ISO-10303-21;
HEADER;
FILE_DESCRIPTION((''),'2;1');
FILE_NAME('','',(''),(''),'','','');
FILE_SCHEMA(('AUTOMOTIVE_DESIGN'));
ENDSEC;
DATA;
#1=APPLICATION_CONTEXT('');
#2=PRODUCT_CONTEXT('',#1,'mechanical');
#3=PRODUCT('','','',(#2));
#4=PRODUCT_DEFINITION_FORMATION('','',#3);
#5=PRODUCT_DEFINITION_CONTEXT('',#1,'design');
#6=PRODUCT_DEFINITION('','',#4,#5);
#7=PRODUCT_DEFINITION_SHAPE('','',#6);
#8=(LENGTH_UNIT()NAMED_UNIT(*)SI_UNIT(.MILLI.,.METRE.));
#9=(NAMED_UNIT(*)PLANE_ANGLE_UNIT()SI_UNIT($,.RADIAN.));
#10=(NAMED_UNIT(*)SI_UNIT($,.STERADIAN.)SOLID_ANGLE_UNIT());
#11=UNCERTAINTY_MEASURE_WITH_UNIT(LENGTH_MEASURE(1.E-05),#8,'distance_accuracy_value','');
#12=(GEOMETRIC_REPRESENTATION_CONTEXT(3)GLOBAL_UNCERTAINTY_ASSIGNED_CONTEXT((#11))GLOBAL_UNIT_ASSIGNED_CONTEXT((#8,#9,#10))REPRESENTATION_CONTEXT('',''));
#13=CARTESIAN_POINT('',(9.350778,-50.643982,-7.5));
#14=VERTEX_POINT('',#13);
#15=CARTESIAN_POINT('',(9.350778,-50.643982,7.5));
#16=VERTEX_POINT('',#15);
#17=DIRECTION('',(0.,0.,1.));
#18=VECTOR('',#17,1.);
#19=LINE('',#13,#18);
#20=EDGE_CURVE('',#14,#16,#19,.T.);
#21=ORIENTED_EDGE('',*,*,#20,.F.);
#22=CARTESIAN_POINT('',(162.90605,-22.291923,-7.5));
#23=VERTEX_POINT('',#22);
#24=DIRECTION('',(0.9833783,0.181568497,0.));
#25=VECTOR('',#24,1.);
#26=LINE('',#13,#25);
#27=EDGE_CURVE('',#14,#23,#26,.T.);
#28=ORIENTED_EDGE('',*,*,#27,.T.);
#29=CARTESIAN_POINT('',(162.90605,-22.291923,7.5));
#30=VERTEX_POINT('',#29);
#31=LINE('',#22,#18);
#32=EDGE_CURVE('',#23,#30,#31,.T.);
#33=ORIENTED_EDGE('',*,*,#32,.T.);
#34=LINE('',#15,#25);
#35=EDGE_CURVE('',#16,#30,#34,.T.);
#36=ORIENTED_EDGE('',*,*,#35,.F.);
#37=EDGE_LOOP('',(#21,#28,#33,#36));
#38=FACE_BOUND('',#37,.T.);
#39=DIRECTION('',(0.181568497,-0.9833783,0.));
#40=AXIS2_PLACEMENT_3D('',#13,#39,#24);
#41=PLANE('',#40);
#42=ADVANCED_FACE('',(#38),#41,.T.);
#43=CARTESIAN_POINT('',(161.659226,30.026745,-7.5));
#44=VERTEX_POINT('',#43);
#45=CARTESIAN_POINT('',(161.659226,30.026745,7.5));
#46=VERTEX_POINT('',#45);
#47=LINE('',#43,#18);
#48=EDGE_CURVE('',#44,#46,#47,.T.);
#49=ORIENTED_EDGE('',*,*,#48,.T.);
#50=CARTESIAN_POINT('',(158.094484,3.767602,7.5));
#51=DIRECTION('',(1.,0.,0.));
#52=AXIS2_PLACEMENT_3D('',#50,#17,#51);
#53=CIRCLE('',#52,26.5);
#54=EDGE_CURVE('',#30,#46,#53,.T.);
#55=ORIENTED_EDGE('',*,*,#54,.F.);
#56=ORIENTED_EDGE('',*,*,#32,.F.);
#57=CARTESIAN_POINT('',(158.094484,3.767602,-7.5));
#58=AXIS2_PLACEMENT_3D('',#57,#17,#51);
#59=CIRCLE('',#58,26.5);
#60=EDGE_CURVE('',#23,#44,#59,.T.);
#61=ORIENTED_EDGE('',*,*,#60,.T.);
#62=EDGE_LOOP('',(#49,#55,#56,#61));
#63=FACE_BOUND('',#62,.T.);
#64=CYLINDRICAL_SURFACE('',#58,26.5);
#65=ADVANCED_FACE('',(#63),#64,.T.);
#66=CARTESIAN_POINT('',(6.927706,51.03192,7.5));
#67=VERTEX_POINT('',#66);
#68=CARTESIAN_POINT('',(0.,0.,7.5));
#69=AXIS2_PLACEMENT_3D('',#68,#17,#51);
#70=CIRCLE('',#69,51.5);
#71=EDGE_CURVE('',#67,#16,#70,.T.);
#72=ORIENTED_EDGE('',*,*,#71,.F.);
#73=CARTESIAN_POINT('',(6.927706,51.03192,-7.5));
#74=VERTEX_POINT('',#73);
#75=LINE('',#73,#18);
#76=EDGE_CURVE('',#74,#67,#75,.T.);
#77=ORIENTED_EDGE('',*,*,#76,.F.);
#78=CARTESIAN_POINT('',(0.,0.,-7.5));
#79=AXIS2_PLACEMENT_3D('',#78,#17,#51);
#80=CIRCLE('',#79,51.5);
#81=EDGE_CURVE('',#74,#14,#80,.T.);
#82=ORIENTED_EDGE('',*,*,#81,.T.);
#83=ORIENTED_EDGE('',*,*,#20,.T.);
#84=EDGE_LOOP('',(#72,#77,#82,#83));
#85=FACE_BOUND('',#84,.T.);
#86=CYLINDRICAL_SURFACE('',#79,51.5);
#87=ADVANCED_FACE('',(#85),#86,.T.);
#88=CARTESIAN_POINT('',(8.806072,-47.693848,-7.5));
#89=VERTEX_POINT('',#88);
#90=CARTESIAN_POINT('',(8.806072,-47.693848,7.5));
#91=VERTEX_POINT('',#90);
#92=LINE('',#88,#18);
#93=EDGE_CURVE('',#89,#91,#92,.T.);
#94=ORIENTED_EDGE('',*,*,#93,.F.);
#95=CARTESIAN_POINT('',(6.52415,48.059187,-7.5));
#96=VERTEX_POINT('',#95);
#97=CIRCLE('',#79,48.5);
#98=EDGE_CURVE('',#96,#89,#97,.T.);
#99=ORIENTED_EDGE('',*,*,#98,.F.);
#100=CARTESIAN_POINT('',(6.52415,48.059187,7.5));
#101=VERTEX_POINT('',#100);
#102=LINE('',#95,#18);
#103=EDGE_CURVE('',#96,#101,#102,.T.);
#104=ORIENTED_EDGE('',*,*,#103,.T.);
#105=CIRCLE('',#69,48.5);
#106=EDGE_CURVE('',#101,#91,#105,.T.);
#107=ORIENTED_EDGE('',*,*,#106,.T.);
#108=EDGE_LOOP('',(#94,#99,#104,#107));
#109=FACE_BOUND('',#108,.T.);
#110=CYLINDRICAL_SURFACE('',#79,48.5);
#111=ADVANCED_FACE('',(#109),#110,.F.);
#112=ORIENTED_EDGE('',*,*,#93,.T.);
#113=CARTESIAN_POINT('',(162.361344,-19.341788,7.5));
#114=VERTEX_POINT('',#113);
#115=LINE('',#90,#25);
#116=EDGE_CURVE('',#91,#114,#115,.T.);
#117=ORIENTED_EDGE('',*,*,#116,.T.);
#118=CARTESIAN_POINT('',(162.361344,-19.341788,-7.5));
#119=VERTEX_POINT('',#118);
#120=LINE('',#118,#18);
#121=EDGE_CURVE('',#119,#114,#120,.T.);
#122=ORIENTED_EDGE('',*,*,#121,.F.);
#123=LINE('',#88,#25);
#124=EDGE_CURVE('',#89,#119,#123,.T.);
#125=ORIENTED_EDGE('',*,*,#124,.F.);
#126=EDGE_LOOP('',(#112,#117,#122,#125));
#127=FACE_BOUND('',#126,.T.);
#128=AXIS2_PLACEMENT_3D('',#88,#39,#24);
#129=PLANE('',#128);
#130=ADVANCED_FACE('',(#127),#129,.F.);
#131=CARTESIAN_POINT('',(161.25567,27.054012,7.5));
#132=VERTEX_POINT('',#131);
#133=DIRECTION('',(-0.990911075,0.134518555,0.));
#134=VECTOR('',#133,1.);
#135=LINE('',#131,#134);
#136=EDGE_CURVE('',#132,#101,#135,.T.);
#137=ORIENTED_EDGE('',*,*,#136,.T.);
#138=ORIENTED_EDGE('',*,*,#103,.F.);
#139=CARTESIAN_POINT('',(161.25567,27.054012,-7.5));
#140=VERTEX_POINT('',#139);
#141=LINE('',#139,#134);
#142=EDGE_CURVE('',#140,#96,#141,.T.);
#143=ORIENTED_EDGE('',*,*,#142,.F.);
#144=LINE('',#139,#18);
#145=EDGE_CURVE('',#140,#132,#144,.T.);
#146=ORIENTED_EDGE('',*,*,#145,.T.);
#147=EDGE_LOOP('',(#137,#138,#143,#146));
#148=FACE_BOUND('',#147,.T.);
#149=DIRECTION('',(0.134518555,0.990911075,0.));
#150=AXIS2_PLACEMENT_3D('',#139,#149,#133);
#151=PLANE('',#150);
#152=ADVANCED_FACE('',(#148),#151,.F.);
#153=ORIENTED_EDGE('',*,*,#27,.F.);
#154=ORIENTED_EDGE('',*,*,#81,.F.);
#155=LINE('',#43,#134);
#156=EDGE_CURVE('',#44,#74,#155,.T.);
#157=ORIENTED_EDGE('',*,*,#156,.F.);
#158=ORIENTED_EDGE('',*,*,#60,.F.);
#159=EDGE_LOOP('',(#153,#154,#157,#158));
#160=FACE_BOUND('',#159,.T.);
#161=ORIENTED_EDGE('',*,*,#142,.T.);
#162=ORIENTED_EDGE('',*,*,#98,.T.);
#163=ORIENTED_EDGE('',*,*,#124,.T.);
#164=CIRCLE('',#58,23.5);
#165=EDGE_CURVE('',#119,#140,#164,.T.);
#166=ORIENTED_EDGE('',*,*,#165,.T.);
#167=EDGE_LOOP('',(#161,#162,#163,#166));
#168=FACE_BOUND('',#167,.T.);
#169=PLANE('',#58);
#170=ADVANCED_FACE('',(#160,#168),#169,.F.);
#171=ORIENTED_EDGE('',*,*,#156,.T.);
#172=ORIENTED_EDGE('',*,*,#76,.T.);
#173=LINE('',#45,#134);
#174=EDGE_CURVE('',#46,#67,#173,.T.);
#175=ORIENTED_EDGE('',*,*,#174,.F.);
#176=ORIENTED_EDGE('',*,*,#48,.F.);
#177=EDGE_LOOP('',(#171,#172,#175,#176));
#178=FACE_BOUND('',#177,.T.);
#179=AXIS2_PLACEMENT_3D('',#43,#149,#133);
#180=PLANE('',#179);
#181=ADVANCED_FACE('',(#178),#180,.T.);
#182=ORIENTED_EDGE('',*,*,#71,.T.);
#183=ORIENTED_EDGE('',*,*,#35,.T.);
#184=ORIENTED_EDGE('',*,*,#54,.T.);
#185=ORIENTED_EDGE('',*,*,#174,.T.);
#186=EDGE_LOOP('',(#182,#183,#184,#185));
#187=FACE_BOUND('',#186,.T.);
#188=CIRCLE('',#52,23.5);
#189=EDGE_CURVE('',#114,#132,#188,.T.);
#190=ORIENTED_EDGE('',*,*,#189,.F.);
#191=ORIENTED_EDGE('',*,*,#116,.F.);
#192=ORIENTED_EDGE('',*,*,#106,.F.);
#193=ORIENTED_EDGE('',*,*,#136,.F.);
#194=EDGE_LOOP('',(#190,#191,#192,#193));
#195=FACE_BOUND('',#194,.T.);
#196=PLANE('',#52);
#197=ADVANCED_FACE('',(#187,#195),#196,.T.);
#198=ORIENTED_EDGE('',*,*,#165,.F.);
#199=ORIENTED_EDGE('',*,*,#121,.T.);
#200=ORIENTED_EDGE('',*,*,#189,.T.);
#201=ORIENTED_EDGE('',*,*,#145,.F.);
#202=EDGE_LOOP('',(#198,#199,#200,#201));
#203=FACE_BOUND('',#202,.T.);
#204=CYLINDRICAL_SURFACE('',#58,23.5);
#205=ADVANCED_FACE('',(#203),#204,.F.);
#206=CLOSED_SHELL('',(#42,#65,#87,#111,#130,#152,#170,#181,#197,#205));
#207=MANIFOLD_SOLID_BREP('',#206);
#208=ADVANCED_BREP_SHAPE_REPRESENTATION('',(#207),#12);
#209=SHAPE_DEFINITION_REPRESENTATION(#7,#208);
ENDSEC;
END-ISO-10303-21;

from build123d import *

# Parameters (mm, degrees)
BOSS_EXTRUDE1_DEPTH      = 7.5
BOSS_EXTRUDE1_DEPTH_BACK = 7.5


with BuildPart() as part:
    # Sketch3 → Boss-Extrude1 (new, two sides: drawn at the far end of the back side and taken through both)
    with BuildSketch(Plane.XY.offset(-BOSS_EXTRUDE1_DEPTH_BACK)):
        with BuildLine():
            Line((161.659226047, 30.026745351), (6.927705582, 51.031920357))
            ThreePointArc((6.927705582, 51.031920357), (-51.485381969, -1.22696514), (9.3507776, -50.643982449))
            Line((9.3507776, -50.643982449), (162.906049512, -22.291923083))
            ThreePointArc((162.906049512, -22.291923083), (184.58696244, 4.398952861), (161.659226047, 30.026745351))
        make_face()
        with BuildLine():
            Line((161.255670382, 27.054012126), (6.524149917, 48.059187133))
            ThreePointArc((6.524149917, 48.059187133), (-48.486233505, -1.155491443), (8.806072108, -47.693847549))
            Line((8.806072108, -47.693847549), (162.361344021, -19.341788184))
            ThreePointArc((162.361344021, -19.341788184), (181.587813976, 4.327479163), (161.255670382, 27.054012126))
        make_face(mode=Mode.SUBTRACT)
    extrude(amount=BOSS_EXTRUDE1_DEPTH + BOSS_EXTRUDE1_DEPTH_BACK)


solid = part.part
